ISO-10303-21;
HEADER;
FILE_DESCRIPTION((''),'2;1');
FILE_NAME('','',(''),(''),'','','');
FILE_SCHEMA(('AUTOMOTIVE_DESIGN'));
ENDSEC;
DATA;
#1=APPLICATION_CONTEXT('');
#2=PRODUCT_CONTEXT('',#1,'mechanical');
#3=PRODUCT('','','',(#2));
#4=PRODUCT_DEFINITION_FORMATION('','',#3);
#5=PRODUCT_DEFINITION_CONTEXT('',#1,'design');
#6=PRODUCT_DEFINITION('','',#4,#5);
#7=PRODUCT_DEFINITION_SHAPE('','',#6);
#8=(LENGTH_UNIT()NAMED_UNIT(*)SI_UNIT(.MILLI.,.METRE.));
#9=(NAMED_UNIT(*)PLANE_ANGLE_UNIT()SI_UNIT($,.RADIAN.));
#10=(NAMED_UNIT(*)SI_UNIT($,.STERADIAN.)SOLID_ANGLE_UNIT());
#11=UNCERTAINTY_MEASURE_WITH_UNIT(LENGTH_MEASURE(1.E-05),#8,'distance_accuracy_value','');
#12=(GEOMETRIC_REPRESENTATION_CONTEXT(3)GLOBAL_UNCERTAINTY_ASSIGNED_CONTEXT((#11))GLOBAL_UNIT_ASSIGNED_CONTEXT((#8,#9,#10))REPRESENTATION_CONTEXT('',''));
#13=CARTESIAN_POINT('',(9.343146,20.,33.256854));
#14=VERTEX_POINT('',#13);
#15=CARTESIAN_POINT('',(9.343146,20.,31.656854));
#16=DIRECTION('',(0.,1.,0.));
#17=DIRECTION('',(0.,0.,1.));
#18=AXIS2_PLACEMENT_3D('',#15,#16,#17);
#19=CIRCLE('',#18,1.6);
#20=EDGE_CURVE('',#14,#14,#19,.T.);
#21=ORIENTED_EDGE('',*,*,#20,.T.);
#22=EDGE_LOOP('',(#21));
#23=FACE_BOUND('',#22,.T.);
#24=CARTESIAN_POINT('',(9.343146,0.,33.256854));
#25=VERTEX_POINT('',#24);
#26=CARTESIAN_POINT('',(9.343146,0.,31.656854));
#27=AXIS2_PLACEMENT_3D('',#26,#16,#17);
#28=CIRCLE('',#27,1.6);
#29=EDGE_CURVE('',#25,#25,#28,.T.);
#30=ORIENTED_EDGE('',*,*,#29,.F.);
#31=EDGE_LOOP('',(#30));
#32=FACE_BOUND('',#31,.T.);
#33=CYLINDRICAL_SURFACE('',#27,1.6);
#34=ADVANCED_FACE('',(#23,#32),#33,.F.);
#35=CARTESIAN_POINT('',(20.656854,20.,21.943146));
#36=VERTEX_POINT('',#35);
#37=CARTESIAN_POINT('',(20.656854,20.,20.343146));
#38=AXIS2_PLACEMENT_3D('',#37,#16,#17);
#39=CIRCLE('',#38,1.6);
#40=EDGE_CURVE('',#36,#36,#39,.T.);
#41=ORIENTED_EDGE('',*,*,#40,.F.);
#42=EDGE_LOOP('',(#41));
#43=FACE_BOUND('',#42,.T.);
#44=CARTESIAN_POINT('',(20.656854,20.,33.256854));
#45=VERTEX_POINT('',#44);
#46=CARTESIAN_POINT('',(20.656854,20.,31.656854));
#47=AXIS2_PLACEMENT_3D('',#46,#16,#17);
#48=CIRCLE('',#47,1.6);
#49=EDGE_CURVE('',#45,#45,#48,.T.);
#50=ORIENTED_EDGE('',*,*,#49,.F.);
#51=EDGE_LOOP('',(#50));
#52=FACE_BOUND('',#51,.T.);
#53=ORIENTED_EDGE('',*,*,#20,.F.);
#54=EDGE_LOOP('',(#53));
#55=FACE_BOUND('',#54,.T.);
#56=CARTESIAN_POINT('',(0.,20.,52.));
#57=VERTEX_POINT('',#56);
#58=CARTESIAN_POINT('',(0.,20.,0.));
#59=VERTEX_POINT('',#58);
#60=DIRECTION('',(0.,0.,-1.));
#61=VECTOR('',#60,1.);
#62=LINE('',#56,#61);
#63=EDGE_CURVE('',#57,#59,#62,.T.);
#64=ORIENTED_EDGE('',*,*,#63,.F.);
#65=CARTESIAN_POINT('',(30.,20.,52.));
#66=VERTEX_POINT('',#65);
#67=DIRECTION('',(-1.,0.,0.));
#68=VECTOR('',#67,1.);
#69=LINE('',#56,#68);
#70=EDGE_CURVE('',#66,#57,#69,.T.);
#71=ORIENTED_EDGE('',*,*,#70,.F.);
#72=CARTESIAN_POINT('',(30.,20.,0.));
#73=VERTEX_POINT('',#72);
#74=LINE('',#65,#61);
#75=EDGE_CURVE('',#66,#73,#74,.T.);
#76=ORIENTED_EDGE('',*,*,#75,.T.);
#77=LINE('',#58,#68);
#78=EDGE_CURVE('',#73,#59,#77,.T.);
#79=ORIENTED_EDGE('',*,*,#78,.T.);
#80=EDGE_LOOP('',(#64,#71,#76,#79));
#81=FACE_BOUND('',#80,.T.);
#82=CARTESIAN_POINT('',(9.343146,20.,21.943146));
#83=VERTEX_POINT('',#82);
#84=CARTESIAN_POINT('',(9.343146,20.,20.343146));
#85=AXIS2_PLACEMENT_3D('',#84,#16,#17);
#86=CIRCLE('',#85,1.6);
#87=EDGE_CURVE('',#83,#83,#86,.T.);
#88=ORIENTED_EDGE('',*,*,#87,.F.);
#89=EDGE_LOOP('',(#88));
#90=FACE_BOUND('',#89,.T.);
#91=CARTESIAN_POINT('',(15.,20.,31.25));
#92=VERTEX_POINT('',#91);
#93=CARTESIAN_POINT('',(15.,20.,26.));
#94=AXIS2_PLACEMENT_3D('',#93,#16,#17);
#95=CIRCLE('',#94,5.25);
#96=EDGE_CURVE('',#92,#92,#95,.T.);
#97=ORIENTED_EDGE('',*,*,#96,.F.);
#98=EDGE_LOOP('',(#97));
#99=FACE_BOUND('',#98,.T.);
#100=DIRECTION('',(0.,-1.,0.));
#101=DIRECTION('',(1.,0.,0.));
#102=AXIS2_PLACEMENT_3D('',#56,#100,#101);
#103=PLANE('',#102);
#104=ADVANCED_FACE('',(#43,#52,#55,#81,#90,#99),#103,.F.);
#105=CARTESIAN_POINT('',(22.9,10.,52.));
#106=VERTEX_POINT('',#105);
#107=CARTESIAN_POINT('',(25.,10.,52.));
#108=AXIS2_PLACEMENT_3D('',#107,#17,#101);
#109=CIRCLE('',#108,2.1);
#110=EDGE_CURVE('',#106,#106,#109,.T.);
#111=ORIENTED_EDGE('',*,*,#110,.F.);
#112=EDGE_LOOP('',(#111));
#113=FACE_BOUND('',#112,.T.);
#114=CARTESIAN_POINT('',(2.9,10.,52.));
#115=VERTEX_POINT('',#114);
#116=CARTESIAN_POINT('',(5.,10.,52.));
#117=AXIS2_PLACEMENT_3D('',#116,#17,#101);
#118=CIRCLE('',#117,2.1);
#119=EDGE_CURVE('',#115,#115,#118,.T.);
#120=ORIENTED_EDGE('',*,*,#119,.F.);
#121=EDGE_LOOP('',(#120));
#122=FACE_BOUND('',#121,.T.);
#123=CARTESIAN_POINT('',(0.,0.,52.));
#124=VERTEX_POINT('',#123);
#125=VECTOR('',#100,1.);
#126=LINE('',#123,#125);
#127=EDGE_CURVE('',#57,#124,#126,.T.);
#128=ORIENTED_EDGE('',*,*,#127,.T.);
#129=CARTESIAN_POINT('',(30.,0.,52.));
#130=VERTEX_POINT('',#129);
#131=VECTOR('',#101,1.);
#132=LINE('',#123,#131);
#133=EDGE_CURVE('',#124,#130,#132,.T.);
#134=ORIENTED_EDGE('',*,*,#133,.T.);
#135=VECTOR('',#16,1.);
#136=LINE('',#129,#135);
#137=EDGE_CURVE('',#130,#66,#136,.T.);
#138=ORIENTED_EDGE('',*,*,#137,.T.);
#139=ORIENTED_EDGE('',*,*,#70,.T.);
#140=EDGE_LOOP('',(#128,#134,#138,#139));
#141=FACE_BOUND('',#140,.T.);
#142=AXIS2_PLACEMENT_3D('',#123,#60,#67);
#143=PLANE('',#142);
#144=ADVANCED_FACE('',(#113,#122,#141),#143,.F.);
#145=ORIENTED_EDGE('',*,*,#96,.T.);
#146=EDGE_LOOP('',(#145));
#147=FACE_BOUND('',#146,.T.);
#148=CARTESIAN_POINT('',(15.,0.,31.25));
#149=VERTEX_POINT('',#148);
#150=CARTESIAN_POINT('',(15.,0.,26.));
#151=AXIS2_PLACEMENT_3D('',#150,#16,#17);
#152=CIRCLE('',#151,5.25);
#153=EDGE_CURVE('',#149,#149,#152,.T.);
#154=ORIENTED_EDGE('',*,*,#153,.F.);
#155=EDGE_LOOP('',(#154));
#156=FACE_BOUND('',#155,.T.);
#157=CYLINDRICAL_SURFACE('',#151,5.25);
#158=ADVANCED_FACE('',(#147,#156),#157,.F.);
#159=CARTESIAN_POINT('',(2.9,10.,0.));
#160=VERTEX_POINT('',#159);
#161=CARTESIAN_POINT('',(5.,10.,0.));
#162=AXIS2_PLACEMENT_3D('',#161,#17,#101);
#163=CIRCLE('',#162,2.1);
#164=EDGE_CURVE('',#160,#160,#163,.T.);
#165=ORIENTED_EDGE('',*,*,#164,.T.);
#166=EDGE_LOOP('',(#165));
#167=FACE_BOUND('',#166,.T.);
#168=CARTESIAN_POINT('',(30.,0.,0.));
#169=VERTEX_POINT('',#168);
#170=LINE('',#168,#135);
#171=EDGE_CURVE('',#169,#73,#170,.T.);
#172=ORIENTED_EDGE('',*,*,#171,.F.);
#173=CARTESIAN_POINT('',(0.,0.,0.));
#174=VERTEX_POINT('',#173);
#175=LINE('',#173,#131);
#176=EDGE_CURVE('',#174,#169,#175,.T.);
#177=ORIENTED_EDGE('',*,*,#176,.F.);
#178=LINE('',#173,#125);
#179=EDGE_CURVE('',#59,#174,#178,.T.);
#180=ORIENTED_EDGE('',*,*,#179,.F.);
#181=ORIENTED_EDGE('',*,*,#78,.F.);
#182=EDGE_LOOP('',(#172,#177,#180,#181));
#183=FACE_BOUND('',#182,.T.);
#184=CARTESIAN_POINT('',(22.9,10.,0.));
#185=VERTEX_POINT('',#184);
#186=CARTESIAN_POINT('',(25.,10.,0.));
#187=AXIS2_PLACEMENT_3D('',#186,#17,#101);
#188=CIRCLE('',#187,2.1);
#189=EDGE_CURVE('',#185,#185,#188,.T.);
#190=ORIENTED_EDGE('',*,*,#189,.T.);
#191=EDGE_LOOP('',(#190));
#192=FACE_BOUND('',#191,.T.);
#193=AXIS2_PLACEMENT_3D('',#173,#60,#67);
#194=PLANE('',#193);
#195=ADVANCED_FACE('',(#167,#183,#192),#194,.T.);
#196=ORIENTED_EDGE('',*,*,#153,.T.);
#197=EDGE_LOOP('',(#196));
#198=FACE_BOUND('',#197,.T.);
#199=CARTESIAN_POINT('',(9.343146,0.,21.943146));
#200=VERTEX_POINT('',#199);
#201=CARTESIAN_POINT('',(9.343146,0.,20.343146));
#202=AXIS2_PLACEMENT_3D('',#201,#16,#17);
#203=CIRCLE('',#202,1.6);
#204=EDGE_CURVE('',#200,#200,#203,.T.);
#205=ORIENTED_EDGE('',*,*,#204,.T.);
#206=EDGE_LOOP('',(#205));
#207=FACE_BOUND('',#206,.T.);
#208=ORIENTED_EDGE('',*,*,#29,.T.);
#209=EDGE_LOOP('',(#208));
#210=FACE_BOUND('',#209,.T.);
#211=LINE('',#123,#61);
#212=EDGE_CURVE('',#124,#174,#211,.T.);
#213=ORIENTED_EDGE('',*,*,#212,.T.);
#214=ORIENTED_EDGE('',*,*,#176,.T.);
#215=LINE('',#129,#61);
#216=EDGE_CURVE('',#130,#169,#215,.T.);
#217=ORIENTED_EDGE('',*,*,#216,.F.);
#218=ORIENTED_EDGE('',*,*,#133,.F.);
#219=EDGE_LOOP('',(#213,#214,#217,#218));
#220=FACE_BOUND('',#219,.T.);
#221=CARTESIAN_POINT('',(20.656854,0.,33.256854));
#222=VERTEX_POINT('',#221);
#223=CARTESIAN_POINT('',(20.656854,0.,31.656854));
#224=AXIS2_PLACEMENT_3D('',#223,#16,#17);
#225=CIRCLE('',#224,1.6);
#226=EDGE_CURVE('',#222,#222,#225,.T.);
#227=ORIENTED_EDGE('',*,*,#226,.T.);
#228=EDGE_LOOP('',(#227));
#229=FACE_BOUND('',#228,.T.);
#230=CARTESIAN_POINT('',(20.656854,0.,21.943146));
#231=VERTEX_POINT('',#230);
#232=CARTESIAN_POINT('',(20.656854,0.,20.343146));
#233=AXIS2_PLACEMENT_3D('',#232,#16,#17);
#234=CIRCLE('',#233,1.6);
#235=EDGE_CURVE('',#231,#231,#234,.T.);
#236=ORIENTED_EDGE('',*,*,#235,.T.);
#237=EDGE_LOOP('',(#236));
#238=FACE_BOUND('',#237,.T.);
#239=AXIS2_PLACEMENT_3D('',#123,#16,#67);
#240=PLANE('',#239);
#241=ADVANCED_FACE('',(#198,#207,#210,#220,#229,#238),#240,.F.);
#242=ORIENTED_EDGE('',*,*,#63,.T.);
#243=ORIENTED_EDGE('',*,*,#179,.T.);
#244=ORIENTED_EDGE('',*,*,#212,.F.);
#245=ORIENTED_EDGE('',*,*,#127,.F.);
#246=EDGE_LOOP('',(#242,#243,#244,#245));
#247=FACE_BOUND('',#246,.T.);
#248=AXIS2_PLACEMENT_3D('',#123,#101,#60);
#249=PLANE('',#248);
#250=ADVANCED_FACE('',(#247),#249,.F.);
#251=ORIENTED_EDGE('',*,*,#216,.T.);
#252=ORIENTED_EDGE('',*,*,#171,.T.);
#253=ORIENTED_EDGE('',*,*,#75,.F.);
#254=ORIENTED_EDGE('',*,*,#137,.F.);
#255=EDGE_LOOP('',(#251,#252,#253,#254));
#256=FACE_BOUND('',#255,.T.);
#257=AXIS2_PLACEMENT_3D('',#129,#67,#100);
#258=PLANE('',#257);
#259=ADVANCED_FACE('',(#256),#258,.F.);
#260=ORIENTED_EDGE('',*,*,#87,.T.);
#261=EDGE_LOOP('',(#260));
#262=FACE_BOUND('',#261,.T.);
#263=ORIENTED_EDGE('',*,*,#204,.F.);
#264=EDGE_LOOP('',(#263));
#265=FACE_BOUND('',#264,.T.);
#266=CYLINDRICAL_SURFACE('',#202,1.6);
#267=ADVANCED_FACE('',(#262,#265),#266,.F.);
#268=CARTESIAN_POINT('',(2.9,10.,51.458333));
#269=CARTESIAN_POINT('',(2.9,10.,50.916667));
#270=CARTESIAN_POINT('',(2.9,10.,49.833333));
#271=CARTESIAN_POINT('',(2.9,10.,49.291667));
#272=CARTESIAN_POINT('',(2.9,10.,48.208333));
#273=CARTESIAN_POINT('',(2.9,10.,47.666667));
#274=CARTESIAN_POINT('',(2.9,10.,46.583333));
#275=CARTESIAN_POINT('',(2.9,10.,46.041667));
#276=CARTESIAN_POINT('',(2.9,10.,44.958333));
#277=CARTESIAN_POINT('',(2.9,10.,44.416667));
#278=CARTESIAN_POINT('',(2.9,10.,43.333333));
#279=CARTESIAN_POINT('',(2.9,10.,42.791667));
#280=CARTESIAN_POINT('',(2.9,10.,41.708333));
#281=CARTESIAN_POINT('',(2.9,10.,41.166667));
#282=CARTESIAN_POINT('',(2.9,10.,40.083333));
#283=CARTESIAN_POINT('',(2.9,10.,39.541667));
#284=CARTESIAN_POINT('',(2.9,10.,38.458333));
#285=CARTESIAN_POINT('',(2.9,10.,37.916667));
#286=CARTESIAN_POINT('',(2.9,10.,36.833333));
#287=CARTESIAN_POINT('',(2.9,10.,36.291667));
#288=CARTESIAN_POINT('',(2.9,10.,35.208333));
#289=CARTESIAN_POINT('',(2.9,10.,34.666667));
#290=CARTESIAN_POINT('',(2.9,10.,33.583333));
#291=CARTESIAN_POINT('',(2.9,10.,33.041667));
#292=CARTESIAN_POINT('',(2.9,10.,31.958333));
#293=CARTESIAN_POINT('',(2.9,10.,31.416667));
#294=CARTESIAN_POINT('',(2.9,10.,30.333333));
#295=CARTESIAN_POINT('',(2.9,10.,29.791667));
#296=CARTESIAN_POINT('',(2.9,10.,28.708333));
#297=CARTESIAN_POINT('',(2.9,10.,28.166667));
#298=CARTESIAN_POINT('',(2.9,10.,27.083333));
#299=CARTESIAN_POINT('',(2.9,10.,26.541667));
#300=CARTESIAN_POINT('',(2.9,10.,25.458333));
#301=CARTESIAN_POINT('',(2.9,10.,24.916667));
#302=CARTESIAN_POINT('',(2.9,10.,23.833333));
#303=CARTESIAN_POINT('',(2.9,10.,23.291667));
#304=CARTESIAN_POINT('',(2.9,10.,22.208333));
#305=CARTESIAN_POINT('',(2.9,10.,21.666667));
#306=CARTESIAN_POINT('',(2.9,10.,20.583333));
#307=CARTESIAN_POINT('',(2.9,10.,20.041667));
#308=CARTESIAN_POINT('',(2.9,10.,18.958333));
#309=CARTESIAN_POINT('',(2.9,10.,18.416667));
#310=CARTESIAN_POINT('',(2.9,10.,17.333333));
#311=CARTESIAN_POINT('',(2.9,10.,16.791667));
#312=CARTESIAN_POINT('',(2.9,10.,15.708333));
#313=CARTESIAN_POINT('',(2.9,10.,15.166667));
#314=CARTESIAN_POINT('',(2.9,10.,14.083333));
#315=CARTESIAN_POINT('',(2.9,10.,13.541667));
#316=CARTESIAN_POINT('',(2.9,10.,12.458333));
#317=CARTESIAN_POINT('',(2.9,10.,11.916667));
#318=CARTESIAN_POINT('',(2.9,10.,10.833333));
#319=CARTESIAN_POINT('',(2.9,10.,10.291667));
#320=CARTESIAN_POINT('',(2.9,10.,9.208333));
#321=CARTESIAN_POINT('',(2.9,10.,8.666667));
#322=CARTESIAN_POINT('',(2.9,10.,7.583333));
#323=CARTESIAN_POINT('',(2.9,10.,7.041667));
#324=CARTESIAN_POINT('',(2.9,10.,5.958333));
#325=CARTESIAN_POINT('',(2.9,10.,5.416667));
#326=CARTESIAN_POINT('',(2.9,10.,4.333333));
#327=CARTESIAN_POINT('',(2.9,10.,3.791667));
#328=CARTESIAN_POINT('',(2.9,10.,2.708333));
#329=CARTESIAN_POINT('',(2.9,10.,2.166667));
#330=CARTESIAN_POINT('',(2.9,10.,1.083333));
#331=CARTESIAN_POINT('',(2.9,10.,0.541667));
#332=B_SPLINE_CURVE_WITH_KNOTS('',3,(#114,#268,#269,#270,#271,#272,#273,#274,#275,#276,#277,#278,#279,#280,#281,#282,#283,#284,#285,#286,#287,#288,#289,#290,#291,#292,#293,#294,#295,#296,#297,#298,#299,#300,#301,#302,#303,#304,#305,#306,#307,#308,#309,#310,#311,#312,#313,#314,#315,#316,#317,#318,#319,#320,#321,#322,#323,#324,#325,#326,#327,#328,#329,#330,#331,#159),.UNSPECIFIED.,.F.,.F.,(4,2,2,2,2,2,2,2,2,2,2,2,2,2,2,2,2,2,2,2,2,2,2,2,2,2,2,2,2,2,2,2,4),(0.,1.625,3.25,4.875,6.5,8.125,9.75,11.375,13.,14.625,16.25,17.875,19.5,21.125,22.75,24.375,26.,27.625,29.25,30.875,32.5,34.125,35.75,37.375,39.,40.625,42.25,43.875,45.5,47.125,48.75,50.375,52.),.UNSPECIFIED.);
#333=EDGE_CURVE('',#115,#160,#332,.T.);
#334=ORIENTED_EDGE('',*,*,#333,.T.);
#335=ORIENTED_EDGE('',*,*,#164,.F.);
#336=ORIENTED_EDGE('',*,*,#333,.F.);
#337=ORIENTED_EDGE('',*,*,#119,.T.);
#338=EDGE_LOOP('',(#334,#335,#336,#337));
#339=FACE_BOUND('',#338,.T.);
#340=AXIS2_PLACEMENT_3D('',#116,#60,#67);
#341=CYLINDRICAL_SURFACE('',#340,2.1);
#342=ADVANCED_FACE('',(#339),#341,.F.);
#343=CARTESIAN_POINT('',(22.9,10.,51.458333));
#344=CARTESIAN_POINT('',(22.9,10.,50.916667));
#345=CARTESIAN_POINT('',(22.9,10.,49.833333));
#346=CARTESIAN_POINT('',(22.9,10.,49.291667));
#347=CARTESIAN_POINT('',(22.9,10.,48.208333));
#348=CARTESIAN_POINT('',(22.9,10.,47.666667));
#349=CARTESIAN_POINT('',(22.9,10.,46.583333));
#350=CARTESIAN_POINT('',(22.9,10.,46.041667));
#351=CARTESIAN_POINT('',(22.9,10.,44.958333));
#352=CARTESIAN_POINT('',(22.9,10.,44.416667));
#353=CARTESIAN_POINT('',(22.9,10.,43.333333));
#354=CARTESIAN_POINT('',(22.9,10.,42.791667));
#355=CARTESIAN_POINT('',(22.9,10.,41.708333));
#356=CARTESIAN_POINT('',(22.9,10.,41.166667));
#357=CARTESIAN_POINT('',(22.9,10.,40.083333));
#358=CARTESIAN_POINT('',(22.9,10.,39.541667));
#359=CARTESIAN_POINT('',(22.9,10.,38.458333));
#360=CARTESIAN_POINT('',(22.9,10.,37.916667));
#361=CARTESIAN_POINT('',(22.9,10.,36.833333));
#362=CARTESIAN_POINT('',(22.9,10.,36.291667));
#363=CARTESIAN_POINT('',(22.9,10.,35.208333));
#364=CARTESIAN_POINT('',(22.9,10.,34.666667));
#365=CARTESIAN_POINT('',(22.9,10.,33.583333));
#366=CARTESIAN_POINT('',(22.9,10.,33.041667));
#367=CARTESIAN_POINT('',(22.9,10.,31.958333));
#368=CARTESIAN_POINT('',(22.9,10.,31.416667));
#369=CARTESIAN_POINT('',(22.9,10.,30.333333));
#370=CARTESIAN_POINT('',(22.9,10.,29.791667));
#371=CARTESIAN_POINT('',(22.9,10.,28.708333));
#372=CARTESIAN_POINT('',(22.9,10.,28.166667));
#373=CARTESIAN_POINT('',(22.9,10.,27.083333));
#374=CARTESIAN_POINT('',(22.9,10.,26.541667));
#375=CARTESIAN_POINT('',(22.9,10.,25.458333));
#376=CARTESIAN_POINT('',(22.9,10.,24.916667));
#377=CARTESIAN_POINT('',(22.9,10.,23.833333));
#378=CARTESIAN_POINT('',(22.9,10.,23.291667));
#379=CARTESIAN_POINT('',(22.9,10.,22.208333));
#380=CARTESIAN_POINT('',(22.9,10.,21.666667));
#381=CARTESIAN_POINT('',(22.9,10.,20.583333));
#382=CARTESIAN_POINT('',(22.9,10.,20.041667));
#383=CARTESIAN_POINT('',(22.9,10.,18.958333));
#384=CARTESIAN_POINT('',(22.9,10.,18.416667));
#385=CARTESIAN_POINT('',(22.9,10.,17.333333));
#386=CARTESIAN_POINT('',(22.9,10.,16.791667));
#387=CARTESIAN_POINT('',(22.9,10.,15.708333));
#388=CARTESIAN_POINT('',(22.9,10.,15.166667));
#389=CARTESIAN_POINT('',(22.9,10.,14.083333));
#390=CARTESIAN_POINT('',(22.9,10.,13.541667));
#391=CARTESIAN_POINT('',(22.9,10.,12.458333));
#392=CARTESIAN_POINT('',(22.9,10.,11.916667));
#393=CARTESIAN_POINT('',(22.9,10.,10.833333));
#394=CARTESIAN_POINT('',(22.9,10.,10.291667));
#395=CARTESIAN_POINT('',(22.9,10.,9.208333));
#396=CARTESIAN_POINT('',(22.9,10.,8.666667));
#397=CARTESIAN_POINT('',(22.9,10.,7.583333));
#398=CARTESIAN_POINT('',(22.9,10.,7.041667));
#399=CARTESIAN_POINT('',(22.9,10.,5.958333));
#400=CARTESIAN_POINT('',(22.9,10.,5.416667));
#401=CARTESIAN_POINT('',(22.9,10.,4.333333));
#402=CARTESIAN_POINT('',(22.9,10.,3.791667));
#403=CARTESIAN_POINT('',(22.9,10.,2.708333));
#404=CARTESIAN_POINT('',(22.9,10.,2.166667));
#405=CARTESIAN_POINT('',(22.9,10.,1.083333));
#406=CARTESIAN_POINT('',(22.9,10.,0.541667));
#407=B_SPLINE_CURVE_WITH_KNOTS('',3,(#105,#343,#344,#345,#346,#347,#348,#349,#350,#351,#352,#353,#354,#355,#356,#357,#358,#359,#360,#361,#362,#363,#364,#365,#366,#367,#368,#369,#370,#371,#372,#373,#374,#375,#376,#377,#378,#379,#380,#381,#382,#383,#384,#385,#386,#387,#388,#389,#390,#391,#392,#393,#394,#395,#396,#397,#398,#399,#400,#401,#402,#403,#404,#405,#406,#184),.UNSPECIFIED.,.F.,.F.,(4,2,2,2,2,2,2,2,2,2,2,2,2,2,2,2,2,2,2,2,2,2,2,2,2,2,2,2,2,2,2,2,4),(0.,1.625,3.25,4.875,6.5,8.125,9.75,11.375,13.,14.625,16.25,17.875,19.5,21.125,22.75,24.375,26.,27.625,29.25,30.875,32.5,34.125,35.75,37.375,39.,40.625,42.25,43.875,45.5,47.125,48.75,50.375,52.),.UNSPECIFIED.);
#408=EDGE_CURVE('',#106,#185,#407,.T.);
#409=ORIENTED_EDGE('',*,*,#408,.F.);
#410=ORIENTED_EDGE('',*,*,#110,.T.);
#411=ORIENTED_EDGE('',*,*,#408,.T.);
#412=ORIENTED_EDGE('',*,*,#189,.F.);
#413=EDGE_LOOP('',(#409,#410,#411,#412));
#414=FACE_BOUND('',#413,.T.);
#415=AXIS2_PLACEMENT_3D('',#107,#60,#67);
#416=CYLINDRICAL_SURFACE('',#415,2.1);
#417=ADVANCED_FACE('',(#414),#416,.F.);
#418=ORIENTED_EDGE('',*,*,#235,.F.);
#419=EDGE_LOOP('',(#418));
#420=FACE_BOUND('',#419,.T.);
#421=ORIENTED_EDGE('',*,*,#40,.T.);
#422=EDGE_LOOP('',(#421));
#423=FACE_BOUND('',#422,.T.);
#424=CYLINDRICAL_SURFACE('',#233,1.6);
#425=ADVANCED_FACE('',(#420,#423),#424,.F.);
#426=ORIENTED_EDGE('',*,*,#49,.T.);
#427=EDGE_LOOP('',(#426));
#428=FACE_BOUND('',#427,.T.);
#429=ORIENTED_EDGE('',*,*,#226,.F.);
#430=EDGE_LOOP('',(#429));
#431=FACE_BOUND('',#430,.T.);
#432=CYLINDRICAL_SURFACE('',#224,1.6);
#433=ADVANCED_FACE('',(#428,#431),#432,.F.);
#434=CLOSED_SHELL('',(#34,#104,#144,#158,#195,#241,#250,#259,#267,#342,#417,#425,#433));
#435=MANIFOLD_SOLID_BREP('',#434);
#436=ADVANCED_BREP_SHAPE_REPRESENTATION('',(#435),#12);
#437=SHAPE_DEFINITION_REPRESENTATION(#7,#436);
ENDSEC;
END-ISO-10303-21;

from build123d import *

# Parameters (mm, degrees)
SKETCH_1_W          = 30
SKETCH_1_H          = 20
SKETCH_1_R          = 2.1
EXTRUDE_1_DEPTH     = 52
SKETCH_2_R          = 5.25
SKETCH_2_R_2        = 1.6
CUT_EXTRUDE_1_DEPTH = 64.277168078


with BuildPart() as part:
    # 草图1 → 凸台-拉伸1 (new body)
    with BuildSketch(Plane.XY):
        with Locations((15, 10)):
            Rectangle(SKETCH_1_W, SKETCH_1_H)
        with Locations(Location((5, 10, 0), (0, 0, 180))):
            Circle(SKETCH_1_R, mode=Mode.SUBTRACT)
        with Locations(Location((25, 10, 0), (0, 0, 180))):
            Circle(SKETCH_1_R, mode=Mode.SUBTRACT)
    extrude(amount=EXTRUDE_1_DEPTH)

    # 草图2 → 切除-拉伸1 (cut, through all)
    with BuildSketch(Plane(origin=(0, 20, 0), x_dir=(1, 0, 0), z_dir=(0, 1, 0))):
        with Locations(Location((15, -26, 0), (0, 0, 270))):
            Circle(SKETCH_2_R)
        with Locations(Location((9.343145751, -31.656854249, 0), (0, 0, 270))):
            Circle(SKETCH_2_R_2)
        with Locations(Location((9.343145751, -20.343145751, 0), (0, 0, 270))):
            Circle(SKETCH_2_R_2)
        with Locations(Location((20.656854249, -20.343145751, 0), (0, 0, 270))):
            Circle(SKETCH_2_R_2)
        with Locations(Location((20.656854249, -31.656854249, 0), (0, 0, 270))):
            Circle(SKETCH_2_R_2)
    extrude(amount=-CUT_EXTRUDE_1_DEPTH, mode=Mode.SUBTRACT)


solid = part.part
